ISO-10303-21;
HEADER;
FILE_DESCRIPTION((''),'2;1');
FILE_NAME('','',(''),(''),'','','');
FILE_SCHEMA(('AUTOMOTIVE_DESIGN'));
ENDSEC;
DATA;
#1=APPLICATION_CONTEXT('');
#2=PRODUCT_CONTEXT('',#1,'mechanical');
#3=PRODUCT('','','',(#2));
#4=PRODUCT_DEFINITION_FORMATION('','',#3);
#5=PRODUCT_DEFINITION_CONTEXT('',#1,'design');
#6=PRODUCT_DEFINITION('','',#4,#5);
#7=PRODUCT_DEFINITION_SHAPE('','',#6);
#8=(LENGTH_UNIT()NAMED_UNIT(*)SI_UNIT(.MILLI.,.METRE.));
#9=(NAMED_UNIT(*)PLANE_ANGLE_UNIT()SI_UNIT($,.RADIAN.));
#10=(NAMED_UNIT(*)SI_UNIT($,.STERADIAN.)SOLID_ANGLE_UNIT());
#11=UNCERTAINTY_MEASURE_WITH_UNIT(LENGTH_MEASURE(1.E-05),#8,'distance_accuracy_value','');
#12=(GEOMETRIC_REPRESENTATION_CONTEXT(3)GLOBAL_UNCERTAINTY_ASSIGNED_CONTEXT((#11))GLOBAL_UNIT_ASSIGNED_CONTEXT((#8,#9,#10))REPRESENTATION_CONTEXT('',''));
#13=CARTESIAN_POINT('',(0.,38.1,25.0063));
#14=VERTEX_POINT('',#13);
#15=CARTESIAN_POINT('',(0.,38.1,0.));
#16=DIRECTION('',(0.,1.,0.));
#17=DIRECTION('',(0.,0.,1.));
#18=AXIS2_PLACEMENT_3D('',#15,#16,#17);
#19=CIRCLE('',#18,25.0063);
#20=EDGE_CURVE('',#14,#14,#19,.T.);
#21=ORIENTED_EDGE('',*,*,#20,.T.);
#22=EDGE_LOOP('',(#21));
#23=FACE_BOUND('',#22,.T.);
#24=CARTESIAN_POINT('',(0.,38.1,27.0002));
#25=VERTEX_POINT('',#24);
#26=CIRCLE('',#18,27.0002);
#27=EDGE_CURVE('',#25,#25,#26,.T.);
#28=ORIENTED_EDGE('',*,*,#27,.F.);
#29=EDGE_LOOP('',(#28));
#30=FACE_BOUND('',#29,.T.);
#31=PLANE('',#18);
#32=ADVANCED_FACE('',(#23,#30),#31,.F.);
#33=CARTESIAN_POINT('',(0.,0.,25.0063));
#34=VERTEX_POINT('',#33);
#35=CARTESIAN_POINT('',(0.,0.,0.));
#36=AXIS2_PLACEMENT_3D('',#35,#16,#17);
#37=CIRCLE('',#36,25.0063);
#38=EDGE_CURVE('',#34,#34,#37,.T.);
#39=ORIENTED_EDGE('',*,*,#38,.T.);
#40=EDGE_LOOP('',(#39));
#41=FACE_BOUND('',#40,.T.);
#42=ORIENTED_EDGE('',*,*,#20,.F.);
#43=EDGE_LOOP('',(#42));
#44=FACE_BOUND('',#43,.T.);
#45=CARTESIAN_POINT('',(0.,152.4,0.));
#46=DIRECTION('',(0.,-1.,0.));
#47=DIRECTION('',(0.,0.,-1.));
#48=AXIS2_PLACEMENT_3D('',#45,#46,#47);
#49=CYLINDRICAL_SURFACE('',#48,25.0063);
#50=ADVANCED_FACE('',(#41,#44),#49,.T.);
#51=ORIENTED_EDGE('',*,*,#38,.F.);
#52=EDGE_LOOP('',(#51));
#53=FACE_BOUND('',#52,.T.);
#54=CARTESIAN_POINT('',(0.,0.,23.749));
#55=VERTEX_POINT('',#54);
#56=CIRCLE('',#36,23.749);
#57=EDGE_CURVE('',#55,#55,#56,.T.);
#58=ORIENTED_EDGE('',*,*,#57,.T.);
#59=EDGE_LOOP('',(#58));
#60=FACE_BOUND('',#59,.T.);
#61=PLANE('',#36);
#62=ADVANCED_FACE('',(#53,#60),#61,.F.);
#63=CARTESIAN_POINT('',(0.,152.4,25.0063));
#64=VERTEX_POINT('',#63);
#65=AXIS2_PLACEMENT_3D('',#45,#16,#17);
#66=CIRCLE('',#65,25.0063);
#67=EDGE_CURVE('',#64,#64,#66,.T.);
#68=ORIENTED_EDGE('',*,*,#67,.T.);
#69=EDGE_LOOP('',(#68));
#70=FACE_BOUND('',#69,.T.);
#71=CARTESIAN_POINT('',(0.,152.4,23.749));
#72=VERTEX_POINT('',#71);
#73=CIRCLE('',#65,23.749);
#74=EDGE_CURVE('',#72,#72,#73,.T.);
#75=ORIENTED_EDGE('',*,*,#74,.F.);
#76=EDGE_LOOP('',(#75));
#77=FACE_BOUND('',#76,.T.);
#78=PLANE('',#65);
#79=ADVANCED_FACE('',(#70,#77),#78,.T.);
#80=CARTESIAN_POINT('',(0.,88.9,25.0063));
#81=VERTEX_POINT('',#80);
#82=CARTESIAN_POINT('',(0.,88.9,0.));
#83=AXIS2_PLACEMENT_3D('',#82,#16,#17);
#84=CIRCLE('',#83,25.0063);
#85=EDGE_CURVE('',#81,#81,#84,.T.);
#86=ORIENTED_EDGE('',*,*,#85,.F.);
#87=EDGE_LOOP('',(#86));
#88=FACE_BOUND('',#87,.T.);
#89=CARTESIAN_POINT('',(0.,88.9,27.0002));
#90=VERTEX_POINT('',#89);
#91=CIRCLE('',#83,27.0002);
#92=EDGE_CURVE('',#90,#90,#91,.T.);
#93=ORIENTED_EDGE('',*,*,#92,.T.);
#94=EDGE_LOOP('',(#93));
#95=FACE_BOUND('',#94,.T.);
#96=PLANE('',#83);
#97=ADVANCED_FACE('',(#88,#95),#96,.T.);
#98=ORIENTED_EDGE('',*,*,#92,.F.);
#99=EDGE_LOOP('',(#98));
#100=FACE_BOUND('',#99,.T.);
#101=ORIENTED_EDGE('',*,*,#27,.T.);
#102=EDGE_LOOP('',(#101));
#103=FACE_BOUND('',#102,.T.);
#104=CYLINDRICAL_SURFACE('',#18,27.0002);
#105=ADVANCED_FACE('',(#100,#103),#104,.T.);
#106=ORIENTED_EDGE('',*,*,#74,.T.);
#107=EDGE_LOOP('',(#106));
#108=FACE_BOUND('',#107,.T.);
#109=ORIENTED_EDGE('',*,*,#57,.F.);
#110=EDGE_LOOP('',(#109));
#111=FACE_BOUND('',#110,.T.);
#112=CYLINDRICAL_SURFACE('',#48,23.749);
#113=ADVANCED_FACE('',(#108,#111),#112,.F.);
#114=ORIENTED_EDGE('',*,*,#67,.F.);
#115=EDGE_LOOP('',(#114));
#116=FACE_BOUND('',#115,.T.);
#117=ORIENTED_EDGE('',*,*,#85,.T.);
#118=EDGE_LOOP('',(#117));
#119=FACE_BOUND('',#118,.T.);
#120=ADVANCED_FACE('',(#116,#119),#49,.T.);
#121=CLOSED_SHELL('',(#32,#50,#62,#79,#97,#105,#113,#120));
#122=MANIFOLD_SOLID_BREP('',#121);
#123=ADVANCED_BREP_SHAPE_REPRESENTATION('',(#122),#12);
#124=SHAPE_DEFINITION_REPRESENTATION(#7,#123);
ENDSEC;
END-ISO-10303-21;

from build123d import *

# Parameters (mm, degrees)
SKETCH1_R           = 25.0063
SKETCH1_R_2         = 23.749
BOSS_EXTRUDE1_DEPTH = 152.4
SKETCH5_R           = 27.0002
SKETCH5_R_2         = 25.0063
BOSS_EXTRUDE3_DEPTH = 50.8


with BuildPart() as part:
    # Sketch1 → Boss-Extrude1 (new body)
    with BuildSketch(Plane(origin=(0, 0, 0), x_dir=(1, 0, 0), z_dir=(0, 1, 0))):
        Circle(SKETCH1_R)
        Circle(SKETCH1_R_2, mode=Mode.SUBTRACT)
    extrude(amount=BOSS_EXTRUDE1_DEPTH)

    # Sketch5 → Boss-Extrude3 (add)
    with BuildSketch(Plane(origin=(0, 88.9, 0), x_dir=(1, 0, 0), z_dir=(0, 1, 0))):
        Circle(SKETCH5_R)
        Circle(SKETCH5_R_2, mode=Mode.SUBTRACT)
    extrude(amount=-BOSS_EXTRUDE3_DEPTH)


solid = part.part
